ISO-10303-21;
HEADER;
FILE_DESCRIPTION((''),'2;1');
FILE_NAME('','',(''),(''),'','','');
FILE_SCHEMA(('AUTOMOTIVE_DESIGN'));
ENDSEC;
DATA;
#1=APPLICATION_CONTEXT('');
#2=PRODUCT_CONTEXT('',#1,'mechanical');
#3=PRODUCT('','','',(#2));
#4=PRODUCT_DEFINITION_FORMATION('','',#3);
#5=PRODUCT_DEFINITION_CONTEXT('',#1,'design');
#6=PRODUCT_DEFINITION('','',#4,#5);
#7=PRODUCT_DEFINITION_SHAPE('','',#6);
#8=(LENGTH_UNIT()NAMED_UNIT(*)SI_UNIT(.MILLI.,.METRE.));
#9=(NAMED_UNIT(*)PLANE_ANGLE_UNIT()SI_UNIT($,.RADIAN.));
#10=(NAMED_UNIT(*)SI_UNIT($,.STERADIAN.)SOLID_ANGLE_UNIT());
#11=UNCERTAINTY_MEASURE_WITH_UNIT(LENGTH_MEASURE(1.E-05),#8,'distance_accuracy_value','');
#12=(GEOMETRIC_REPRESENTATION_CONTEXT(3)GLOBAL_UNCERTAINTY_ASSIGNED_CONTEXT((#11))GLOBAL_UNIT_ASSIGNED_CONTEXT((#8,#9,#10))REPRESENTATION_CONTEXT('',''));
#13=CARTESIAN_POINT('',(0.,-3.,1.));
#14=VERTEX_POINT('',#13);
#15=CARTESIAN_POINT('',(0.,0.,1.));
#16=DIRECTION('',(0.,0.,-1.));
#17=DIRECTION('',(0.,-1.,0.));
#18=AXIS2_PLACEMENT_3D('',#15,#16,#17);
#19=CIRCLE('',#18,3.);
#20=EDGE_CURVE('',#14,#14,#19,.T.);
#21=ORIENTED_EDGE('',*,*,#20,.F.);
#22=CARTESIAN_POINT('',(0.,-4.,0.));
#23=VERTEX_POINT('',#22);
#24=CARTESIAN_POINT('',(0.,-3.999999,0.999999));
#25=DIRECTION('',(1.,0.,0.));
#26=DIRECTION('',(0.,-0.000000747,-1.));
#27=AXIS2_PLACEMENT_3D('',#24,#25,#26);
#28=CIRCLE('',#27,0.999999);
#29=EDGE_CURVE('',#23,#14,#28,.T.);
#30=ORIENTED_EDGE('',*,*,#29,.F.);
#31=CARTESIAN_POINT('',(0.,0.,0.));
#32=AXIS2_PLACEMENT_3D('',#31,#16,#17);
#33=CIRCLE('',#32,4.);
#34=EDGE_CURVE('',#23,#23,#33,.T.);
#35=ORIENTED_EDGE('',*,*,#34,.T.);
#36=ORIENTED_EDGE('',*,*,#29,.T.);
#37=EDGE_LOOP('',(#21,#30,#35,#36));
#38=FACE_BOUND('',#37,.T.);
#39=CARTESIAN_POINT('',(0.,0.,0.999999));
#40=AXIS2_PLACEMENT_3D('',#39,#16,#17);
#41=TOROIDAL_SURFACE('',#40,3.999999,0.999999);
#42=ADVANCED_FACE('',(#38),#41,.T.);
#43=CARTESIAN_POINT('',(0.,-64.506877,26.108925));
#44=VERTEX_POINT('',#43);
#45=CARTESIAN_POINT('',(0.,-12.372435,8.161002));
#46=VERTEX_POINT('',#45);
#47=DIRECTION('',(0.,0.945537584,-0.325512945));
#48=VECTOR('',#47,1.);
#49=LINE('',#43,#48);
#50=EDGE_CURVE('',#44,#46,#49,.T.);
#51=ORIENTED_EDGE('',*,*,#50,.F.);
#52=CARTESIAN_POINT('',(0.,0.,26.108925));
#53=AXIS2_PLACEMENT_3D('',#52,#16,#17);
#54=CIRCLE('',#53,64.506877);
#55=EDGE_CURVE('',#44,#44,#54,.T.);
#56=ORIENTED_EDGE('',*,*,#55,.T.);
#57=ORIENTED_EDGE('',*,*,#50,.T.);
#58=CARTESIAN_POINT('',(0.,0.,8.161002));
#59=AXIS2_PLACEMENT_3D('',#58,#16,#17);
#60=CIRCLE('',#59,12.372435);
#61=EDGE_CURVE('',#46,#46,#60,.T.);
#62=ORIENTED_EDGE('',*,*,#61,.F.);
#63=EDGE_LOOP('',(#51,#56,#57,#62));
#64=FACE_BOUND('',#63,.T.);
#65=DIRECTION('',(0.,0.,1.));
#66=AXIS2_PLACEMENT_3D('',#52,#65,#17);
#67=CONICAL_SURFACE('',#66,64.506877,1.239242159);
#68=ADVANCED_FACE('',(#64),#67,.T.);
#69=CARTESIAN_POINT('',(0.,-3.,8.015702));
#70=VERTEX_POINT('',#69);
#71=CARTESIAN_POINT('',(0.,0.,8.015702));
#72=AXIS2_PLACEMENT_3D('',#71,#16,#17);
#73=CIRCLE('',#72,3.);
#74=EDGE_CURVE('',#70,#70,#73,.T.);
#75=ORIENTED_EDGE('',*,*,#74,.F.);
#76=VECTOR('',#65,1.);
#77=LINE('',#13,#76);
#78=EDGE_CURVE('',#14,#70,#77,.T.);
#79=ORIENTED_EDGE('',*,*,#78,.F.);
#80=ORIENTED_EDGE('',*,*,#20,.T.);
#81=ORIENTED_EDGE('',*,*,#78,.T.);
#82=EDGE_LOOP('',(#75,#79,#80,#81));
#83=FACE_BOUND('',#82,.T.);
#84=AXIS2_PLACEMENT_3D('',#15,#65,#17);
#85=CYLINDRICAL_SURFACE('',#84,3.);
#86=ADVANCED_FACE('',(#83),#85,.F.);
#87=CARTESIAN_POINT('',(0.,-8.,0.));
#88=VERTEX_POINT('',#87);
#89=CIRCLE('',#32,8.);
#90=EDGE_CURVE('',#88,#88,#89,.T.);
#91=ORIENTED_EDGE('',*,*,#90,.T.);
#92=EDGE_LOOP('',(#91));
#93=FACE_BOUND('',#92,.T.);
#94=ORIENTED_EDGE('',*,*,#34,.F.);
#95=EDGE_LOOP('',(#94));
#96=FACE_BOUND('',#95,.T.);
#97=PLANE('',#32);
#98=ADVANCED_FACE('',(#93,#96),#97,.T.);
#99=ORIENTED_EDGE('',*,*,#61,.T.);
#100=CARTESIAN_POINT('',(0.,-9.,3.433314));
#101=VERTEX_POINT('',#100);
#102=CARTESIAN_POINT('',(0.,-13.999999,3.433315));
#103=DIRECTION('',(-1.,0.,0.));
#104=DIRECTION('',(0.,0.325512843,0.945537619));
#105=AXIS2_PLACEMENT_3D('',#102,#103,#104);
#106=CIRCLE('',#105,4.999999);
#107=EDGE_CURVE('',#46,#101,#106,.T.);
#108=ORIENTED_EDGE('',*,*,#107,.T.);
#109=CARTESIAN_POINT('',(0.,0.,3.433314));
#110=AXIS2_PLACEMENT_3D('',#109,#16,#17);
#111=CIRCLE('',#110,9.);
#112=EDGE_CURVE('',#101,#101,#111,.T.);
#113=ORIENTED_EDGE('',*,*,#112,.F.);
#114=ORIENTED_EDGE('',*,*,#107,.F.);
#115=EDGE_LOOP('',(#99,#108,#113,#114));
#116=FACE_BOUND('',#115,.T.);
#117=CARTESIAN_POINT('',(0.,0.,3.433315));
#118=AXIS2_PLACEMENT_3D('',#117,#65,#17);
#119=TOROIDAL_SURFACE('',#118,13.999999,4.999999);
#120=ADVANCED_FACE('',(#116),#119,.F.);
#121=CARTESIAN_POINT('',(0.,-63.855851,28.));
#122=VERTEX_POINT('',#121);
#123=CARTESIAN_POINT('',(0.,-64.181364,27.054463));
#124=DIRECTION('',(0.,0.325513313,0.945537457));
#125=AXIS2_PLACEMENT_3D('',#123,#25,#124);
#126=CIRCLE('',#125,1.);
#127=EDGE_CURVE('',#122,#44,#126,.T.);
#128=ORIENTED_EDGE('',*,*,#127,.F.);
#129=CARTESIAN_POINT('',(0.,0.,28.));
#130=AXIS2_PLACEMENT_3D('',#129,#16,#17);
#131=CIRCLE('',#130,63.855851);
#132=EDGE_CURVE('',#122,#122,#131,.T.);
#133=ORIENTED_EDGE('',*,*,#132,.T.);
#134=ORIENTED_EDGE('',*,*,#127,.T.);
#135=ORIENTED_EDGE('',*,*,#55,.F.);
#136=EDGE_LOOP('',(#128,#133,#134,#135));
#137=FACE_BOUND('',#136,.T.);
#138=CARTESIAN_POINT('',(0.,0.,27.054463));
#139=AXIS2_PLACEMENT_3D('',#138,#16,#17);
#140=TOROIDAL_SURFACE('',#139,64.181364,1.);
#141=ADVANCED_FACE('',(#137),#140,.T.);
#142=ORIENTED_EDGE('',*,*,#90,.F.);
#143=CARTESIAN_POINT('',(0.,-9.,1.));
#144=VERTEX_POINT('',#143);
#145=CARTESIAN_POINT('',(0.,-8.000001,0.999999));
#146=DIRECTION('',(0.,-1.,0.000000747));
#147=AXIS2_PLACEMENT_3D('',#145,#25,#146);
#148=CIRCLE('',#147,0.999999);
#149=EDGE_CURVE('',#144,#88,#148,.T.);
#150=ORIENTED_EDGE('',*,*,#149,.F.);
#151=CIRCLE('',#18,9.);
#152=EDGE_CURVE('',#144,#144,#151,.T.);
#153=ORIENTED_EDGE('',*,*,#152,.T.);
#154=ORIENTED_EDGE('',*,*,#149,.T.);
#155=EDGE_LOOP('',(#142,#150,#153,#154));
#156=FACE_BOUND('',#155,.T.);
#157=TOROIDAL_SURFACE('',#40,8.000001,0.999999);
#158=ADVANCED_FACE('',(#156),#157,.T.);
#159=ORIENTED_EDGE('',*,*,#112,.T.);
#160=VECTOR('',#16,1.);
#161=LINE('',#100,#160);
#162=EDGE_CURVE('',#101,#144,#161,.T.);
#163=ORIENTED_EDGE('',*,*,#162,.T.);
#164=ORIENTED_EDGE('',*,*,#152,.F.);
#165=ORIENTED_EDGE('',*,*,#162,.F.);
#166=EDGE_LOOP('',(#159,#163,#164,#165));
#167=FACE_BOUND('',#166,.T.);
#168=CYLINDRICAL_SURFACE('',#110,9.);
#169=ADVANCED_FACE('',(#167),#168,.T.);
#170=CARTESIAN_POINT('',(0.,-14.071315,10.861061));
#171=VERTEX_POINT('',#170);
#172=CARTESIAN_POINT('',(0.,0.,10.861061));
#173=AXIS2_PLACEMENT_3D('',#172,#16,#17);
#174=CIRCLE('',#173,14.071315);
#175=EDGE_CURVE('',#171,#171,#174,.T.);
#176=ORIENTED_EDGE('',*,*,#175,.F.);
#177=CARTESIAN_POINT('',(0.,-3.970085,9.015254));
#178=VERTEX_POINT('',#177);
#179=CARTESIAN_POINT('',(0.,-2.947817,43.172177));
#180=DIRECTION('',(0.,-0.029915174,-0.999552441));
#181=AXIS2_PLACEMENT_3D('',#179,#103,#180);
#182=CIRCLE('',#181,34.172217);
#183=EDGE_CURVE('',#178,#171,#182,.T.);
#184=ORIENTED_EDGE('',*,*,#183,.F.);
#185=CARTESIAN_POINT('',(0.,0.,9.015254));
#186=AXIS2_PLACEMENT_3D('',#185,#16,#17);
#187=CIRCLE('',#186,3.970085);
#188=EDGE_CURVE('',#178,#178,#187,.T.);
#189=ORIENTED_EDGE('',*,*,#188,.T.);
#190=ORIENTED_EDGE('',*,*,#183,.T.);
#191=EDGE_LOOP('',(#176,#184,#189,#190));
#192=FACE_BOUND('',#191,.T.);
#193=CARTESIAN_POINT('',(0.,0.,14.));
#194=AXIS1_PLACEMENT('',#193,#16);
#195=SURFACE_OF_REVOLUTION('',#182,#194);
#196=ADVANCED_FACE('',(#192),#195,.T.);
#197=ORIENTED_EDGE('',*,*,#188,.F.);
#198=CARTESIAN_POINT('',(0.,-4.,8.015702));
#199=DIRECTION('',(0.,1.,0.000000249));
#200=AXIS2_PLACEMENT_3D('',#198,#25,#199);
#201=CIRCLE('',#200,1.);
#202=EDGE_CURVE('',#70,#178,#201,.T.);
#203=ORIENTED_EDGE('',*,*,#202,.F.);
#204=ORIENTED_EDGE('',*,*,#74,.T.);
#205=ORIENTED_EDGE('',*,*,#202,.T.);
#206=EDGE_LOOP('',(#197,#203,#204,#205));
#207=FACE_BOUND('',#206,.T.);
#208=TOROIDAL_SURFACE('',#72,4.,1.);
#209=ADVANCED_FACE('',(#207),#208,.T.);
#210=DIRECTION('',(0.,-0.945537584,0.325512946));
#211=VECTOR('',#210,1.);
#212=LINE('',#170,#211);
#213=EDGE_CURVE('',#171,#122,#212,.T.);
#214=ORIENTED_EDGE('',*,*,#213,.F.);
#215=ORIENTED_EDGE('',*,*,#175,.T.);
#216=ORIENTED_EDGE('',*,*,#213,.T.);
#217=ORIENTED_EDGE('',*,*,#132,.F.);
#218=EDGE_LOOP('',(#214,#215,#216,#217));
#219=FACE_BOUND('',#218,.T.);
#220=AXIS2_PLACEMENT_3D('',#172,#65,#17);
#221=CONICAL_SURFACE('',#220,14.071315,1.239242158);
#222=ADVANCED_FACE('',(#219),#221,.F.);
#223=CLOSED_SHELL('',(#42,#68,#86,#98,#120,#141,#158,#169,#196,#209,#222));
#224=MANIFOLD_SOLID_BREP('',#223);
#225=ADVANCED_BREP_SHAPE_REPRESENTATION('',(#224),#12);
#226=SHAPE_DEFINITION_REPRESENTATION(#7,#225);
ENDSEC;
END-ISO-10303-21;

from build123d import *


with BuildPart() as f1:
    # F0 (on Right) → F1 (revolve)
    with BuildSketch(Plane.YZ):
        with BuildLine():
            ThreePointArc((-63.855851, 28), (-65.126902, 27.379975), (-64.506877, 26.108925))
            Line((-64.506877, 26.108925), (-12.372435, 8.161002))
            ThreePointArc((-12.372435, 8.161002), (-9.929507, 6.336948), (-9, 3.433314))
            Line((-9, 3.433314), (-9, 1))
            ThreePointArc((-9, 1), (-8.707107, 0.292893), (-8, 0))
            Line((-8, 0), (-4, 0))
            ThreePointArc((-4, 0), (-3.292893, 0.292893), (-3, 1))
            Line((-3, 1), (-3, 7.049625))
            Line((-3, 7.049625), (-3, 8.015702))
            ThreePointArc((-3, 8.015702), (-3.282395, 8.712152), (-3.970085, 9.015254))
            ThreePointArc((-3.970085, 9.015254), (-9.090427, 9.556574), (-14.071315, 10.861061))
            Line((-14.071315, 10.861061), (-63.855851, 28))
        make_face()
    revolve(axis=Axis((0, 0, 14), (0, 0, -1)))


solid = f1.part
